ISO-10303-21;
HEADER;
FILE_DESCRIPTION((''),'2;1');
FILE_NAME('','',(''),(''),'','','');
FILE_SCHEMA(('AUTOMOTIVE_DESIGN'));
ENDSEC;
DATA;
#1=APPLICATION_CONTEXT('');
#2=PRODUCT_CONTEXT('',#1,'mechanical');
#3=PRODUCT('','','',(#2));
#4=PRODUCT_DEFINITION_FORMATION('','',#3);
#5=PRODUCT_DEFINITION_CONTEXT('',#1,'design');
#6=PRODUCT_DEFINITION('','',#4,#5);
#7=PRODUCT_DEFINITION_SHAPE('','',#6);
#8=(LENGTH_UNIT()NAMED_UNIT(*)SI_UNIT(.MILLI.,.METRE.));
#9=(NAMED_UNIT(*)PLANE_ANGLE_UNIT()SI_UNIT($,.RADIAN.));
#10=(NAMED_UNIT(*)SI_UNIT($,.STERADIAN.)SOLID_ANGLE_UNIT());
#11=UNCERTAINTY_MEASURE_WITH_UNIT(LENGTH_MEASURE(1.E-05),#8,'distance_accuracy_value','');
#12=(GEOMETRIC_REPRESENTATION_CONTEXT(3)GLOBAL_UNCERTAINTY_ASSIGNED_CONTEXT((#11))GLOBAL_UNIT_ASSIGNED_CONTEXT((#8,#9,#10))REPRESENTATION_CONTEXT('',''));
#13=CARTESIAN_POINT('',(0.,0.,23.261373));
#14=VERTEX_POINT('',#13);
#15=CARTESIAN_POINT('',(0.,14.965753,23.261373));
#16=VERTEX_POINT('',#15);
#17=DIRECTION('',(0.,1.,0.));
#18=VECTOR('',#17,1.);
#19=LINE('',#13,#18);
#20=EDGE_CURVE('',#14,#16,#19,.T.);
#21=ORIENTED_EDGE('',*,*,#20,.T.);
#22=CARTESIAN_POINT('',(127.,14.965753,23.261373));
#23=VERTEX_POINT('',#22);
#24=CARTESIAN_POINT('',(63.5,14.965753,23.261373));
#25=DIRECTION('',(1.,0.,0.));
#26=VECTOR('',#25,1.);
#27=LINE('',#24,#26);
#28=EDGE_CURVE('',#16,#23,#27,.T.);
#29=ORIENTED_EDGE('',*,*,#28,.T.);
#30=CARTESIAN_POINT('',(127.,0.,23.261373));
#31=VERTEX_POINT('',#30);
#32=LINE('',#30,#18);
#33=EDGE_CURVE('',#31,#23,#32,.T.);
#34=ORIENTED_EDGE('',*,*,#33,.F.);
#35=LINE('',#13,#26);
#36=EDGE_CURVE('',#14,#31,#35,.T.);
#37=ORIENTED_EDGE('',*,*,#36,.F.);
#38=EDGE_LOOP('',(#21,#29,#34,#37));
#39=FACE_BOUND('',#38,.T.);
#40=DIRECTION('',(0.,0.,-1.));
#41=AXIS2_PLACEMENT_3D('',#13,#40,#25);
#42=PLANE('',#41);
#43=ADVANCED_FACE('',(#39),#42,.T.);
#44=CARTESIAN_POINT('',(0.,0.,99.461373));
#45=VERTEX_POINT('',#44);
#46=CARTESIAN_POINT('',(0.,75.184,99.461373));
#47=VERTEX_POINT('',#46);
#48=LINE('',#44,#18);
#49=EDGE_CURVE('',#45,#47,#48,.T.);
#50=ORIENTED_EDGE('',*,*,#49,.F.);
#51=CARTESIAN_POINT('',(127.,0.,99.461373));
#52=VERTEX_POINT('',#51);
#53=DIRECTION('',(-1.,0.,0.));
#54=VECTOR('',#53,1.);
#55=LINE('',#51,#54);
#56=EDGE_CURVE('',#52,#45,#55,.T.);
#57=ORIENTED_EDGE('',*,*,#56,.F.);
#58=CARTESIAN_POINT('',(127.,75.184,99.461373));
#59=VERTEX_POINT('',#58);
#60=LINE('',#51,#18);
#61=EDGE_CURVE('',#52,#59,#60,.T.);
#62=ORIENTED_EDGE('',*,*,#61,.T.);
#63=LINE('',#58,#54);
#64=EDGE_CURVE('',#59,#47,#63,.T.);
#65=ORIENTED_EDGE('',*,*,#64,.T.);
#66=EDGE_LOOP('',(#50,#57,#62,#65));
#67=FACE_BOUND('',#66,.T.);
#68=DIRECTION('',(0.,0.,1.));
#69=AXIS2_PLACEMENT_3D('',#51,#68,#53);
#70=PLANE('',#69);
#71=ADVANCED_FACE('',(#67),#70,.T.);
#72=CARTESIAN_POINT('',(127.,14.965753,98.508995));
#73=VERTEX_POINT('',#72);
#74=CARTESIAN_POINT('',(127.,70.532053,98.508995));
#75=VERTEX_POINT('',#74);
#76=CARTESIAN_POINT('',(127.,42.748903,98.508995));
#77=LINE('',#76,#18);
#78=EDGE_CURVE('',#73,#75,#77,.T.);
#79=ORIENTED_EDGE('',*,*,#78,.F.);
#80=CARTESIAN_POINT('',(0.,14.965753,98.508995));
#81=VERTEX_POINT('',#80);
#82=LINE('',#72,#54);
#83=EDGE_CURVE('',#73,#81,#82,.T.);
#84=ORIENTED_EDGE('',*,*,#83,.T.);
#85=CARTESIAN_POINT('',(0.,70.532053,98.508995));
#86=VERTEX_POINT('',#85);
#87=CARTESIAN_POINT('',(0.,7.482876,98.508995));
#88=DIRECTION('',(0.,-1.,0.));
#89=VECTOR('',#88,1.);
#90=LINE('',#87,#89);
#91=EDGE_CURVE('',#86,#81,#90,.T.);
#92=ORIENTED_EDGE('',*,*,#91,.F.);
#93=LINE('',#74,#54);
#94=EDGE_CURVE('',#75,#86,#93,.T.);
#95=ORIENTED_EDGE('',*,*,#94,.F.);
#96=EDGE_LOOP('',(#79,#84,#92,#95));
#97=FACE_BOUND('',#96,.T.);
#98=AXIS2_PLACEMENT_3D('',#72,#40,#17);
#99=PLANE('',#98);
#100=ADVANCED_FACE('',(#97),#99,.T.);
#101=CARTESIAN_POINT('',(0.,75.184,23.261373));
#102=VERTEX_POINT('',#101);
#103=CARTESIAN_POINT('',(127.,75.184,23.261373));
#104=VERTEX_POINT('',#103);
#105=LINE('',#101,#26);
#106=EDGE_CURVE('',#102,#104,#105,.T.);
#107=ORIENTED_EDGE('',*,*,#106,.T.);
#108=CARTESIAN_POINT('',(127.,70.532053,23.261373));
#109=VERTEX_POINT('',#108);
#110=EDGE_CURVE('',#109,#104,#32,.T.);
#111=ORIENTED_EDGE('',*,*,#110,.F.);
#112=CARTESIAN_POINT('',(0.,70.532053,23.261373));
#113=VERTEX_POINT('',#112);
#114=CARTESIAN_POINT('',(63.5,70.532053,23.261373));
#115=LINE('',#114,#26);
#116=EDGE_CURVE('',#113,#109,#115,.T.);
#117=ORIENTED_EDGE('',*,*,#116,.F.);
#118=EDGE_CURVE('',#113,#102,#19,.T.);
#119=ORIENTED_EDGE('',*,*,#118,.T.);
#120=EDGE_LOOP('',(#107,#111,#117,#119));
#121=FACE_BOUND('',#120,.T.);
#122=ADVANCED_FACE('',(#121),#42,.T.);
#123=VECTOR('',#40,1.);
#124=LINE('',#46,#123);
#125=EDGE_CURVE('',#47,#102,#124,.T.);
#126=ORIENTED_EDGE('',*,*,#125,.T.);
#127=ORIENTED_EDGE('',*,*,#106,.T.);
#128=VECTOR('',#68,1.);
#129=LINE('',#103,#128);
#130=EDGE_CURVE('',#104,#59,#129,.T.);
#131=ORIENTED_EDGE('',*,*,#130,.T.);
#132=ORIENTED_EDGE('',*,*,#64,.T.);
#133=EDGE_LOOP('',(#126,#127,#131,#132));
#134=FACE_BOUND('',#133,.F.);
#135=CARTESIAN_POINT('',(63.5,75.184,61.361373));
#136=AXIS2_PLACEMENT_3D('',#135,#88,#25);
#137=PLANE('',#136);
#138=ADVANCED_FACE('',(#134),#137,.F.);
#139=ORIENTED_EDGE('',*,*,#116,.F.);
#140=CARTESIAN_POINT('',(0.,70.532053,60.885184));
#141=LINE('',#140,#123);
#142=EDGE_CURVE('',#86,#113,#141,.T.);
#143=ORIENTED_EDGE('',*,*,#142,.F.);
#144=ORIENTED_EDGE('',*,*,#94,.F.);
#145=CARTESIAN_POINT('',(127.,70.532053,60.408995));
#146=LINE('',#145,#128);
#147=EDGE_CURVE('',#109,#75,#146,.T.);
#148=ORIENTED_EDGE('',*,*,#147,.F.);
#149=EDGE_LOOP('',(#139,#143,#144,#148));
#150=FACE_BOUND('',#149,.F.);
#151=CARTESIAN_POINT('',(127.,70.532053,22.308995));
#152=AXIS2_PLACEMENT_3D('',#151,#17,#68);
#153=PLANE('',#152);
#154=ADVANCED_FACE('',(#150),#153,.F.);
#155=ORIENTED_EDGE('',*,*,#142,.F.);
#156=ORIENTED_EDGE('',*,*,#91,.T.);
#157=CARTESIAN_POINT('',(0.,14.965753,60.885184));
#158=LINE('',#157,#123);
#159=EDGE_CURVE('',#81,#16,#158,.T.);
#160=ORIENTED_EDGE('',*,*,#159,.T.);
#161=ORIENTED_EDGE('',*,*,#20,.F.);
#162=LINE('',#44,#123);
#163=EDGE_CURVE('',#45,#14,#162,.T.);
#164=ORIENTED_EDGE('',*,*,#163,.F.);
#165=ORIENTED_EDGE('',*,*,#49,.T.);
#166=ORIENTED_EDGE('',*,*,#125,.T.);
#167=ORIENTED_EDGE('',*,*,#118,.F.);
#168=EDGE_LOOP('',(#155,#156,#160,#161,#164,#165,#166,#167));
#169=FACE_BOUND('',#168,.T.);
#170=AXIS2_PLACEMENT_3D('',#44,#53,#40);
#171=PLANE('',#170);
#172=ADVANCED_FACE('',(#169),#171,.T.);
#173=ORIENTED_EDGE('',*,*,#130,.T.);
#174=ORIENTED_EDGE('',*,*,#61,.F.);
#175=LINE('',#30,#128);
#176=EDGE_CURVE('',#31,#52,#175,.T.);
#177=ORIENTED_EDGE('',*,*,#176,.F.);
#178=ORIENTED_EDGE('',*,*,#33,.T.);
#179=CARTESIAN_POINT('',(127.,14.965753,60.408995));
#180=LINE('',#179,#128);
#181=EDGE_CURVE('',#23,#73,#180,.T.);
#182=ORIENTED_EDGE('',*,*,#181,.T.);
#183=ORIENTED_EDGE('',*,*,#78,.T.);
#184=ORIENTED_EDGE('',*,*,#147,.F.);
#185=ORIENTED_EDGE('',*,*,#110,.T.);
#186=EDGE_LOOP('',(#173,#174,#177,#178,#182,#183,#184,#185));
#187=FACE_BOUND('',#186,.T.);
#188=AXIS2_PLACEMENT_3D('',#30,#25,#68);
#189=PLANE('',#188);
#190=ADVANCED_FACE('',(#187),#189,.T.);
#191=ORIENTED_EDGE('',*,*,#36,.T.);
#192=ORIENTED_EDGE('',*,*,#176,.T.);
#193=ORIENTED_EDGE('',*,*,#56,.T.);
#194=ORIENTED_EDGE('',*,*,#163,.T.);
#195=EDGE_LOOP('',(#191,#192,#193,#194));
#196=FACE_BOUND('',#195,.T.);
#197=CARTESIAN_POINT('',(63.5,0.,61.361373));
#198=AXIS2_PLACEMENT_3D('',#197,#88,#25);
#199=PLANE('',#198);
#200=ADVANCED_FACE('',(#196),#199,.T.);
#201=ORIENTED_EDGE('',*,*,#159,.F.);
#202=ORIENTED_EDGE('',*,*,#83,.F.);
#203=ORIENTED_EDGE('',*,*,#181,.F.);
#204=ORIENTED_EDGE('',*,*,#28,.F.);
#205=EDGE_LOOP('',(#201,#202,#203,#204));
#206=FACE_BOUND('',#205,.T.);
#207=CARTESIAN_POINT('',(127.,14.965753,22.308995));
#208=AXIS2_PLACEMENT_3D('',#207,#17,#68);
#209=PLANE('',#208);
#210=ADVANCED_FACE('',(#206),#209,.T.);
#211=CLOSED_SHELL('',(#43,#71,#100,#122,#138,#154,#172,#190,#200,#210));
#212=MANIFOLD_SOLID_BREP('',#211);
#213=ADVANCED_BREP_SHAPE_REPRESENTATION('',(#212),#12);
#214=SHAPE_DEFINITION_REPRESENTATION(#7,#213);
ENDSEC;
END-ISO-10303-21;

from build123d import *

# Parameters (mm, degrees)
F1_DEPTH = 75.184
F2_W     = 55.5663
F2_H     = 76.2
F3_DEPTH = 166.878


with BuildPart() as f1:
    # F0 (on Front) → F1 (new body)
    with BuildSketch(Plane.XZ):
        Polygon((0, 99.461373), (0, 23.261373), (63.5, 23.261373), (72.838239, 23.261373), (127, 23.261373), (127, 99.461373), align=None)
    extrude(amount=-F1_DEPTH)

    # F2 (on face) → F3 (cut)
    with BuildSketch(Plane.YZ.offset(127)):
        with Locations((42.748903, 60.408995)):
            Rectangle(F2_W, F2_H)
    extrude(amount=-F3_DEPTH, mode=Mode.SUBTRACT)


solid = f1.part
